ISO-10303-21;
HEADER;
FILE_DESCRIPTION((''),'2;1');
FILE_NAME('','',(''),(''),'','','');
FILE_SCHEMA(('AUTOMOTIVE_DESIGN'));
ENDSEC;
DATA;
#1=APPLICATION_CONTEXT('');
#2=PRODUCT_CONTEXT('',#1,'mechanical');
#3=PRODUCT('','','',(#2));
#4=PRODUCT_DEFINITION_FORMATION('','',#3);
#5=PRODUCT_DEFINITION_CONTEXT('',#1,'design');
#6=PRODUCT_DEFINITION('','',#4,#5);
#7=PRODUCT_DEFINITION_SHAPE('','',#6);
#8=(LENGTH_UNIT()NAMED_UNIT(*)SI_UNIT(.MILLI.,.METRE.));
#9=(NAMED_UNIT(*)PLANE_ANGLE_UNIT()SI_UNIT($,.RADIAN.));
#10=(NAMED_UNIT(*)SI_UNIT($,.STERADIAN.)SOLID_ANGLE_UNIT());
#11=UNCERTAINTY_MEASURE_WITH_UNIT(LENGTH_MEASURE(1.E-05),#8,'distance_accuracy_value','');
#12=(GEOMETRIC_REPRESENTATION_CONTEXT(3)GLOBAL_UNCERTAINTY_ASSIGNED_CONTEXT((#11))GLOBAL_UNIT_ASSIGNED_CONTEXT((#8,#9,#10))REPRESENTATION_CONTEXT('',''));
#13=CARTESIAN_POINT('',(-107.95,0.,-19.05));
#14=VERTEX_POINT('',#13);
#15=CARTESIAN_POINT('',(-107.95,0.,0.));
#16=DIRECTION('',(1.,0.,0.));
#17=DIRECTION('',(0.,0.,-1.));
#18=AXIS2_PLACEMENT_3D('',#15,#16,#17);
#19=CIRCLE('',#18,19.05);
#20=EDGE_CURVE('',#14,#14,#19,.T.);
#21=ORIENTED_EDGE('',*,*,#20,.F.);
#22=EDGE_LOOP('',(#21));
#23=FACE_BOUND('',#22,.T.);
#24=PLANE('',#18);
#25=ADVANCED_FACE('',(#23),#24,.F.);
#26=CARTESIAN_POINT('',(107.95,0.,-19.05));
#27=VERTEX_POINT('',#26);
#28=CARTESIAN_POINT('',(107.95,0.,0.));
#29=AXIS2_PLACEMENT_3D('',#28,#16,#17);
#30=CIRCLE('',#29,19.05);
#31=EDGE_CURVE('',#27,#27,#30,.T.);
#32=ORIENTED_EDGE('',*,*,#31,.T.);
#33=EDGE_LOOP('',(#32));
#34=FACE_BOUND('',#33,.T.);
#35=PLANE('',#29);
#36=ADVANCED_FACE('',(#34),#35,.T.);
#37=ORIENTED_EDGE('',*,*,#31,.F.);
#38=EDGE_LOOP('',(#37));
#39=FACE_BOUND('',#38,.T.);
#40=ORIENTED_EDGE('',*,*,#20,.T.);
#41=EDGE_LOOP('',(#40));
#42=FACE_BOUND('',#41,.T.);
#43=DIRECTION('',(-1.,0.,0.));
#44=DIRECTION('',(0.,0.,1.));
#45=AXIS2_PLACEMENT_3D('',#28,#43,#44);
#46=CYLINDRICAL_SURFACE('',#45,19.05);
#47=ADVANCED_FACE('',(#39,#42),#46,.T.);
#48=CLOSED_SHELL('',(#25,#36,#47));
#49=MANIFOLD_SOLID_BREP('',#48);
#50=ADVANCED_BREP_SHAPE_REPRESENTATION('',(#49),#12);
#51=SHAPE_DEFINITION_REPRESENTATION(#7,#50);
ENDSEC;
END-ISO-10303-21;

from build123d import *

# Parameters (mm, degrees)
SKETCH1_R           = 19.05
BOSS_EXTRUDE1_DEPTH = 107.95


with BuildPart() as part:
    # Sketch1 → Boss-Extrude1 (new body, symmetric)
    with BuildSketch(Plane(origin=(0, 0, 0), x_dir=(0, 0, -1), z_dir=(1, 0, 0))):
        Circle(SKETCH1_R)
    extrude(amount=BOSS_EXTRUDE1_DEPTH, both=True)


solid = part.part
